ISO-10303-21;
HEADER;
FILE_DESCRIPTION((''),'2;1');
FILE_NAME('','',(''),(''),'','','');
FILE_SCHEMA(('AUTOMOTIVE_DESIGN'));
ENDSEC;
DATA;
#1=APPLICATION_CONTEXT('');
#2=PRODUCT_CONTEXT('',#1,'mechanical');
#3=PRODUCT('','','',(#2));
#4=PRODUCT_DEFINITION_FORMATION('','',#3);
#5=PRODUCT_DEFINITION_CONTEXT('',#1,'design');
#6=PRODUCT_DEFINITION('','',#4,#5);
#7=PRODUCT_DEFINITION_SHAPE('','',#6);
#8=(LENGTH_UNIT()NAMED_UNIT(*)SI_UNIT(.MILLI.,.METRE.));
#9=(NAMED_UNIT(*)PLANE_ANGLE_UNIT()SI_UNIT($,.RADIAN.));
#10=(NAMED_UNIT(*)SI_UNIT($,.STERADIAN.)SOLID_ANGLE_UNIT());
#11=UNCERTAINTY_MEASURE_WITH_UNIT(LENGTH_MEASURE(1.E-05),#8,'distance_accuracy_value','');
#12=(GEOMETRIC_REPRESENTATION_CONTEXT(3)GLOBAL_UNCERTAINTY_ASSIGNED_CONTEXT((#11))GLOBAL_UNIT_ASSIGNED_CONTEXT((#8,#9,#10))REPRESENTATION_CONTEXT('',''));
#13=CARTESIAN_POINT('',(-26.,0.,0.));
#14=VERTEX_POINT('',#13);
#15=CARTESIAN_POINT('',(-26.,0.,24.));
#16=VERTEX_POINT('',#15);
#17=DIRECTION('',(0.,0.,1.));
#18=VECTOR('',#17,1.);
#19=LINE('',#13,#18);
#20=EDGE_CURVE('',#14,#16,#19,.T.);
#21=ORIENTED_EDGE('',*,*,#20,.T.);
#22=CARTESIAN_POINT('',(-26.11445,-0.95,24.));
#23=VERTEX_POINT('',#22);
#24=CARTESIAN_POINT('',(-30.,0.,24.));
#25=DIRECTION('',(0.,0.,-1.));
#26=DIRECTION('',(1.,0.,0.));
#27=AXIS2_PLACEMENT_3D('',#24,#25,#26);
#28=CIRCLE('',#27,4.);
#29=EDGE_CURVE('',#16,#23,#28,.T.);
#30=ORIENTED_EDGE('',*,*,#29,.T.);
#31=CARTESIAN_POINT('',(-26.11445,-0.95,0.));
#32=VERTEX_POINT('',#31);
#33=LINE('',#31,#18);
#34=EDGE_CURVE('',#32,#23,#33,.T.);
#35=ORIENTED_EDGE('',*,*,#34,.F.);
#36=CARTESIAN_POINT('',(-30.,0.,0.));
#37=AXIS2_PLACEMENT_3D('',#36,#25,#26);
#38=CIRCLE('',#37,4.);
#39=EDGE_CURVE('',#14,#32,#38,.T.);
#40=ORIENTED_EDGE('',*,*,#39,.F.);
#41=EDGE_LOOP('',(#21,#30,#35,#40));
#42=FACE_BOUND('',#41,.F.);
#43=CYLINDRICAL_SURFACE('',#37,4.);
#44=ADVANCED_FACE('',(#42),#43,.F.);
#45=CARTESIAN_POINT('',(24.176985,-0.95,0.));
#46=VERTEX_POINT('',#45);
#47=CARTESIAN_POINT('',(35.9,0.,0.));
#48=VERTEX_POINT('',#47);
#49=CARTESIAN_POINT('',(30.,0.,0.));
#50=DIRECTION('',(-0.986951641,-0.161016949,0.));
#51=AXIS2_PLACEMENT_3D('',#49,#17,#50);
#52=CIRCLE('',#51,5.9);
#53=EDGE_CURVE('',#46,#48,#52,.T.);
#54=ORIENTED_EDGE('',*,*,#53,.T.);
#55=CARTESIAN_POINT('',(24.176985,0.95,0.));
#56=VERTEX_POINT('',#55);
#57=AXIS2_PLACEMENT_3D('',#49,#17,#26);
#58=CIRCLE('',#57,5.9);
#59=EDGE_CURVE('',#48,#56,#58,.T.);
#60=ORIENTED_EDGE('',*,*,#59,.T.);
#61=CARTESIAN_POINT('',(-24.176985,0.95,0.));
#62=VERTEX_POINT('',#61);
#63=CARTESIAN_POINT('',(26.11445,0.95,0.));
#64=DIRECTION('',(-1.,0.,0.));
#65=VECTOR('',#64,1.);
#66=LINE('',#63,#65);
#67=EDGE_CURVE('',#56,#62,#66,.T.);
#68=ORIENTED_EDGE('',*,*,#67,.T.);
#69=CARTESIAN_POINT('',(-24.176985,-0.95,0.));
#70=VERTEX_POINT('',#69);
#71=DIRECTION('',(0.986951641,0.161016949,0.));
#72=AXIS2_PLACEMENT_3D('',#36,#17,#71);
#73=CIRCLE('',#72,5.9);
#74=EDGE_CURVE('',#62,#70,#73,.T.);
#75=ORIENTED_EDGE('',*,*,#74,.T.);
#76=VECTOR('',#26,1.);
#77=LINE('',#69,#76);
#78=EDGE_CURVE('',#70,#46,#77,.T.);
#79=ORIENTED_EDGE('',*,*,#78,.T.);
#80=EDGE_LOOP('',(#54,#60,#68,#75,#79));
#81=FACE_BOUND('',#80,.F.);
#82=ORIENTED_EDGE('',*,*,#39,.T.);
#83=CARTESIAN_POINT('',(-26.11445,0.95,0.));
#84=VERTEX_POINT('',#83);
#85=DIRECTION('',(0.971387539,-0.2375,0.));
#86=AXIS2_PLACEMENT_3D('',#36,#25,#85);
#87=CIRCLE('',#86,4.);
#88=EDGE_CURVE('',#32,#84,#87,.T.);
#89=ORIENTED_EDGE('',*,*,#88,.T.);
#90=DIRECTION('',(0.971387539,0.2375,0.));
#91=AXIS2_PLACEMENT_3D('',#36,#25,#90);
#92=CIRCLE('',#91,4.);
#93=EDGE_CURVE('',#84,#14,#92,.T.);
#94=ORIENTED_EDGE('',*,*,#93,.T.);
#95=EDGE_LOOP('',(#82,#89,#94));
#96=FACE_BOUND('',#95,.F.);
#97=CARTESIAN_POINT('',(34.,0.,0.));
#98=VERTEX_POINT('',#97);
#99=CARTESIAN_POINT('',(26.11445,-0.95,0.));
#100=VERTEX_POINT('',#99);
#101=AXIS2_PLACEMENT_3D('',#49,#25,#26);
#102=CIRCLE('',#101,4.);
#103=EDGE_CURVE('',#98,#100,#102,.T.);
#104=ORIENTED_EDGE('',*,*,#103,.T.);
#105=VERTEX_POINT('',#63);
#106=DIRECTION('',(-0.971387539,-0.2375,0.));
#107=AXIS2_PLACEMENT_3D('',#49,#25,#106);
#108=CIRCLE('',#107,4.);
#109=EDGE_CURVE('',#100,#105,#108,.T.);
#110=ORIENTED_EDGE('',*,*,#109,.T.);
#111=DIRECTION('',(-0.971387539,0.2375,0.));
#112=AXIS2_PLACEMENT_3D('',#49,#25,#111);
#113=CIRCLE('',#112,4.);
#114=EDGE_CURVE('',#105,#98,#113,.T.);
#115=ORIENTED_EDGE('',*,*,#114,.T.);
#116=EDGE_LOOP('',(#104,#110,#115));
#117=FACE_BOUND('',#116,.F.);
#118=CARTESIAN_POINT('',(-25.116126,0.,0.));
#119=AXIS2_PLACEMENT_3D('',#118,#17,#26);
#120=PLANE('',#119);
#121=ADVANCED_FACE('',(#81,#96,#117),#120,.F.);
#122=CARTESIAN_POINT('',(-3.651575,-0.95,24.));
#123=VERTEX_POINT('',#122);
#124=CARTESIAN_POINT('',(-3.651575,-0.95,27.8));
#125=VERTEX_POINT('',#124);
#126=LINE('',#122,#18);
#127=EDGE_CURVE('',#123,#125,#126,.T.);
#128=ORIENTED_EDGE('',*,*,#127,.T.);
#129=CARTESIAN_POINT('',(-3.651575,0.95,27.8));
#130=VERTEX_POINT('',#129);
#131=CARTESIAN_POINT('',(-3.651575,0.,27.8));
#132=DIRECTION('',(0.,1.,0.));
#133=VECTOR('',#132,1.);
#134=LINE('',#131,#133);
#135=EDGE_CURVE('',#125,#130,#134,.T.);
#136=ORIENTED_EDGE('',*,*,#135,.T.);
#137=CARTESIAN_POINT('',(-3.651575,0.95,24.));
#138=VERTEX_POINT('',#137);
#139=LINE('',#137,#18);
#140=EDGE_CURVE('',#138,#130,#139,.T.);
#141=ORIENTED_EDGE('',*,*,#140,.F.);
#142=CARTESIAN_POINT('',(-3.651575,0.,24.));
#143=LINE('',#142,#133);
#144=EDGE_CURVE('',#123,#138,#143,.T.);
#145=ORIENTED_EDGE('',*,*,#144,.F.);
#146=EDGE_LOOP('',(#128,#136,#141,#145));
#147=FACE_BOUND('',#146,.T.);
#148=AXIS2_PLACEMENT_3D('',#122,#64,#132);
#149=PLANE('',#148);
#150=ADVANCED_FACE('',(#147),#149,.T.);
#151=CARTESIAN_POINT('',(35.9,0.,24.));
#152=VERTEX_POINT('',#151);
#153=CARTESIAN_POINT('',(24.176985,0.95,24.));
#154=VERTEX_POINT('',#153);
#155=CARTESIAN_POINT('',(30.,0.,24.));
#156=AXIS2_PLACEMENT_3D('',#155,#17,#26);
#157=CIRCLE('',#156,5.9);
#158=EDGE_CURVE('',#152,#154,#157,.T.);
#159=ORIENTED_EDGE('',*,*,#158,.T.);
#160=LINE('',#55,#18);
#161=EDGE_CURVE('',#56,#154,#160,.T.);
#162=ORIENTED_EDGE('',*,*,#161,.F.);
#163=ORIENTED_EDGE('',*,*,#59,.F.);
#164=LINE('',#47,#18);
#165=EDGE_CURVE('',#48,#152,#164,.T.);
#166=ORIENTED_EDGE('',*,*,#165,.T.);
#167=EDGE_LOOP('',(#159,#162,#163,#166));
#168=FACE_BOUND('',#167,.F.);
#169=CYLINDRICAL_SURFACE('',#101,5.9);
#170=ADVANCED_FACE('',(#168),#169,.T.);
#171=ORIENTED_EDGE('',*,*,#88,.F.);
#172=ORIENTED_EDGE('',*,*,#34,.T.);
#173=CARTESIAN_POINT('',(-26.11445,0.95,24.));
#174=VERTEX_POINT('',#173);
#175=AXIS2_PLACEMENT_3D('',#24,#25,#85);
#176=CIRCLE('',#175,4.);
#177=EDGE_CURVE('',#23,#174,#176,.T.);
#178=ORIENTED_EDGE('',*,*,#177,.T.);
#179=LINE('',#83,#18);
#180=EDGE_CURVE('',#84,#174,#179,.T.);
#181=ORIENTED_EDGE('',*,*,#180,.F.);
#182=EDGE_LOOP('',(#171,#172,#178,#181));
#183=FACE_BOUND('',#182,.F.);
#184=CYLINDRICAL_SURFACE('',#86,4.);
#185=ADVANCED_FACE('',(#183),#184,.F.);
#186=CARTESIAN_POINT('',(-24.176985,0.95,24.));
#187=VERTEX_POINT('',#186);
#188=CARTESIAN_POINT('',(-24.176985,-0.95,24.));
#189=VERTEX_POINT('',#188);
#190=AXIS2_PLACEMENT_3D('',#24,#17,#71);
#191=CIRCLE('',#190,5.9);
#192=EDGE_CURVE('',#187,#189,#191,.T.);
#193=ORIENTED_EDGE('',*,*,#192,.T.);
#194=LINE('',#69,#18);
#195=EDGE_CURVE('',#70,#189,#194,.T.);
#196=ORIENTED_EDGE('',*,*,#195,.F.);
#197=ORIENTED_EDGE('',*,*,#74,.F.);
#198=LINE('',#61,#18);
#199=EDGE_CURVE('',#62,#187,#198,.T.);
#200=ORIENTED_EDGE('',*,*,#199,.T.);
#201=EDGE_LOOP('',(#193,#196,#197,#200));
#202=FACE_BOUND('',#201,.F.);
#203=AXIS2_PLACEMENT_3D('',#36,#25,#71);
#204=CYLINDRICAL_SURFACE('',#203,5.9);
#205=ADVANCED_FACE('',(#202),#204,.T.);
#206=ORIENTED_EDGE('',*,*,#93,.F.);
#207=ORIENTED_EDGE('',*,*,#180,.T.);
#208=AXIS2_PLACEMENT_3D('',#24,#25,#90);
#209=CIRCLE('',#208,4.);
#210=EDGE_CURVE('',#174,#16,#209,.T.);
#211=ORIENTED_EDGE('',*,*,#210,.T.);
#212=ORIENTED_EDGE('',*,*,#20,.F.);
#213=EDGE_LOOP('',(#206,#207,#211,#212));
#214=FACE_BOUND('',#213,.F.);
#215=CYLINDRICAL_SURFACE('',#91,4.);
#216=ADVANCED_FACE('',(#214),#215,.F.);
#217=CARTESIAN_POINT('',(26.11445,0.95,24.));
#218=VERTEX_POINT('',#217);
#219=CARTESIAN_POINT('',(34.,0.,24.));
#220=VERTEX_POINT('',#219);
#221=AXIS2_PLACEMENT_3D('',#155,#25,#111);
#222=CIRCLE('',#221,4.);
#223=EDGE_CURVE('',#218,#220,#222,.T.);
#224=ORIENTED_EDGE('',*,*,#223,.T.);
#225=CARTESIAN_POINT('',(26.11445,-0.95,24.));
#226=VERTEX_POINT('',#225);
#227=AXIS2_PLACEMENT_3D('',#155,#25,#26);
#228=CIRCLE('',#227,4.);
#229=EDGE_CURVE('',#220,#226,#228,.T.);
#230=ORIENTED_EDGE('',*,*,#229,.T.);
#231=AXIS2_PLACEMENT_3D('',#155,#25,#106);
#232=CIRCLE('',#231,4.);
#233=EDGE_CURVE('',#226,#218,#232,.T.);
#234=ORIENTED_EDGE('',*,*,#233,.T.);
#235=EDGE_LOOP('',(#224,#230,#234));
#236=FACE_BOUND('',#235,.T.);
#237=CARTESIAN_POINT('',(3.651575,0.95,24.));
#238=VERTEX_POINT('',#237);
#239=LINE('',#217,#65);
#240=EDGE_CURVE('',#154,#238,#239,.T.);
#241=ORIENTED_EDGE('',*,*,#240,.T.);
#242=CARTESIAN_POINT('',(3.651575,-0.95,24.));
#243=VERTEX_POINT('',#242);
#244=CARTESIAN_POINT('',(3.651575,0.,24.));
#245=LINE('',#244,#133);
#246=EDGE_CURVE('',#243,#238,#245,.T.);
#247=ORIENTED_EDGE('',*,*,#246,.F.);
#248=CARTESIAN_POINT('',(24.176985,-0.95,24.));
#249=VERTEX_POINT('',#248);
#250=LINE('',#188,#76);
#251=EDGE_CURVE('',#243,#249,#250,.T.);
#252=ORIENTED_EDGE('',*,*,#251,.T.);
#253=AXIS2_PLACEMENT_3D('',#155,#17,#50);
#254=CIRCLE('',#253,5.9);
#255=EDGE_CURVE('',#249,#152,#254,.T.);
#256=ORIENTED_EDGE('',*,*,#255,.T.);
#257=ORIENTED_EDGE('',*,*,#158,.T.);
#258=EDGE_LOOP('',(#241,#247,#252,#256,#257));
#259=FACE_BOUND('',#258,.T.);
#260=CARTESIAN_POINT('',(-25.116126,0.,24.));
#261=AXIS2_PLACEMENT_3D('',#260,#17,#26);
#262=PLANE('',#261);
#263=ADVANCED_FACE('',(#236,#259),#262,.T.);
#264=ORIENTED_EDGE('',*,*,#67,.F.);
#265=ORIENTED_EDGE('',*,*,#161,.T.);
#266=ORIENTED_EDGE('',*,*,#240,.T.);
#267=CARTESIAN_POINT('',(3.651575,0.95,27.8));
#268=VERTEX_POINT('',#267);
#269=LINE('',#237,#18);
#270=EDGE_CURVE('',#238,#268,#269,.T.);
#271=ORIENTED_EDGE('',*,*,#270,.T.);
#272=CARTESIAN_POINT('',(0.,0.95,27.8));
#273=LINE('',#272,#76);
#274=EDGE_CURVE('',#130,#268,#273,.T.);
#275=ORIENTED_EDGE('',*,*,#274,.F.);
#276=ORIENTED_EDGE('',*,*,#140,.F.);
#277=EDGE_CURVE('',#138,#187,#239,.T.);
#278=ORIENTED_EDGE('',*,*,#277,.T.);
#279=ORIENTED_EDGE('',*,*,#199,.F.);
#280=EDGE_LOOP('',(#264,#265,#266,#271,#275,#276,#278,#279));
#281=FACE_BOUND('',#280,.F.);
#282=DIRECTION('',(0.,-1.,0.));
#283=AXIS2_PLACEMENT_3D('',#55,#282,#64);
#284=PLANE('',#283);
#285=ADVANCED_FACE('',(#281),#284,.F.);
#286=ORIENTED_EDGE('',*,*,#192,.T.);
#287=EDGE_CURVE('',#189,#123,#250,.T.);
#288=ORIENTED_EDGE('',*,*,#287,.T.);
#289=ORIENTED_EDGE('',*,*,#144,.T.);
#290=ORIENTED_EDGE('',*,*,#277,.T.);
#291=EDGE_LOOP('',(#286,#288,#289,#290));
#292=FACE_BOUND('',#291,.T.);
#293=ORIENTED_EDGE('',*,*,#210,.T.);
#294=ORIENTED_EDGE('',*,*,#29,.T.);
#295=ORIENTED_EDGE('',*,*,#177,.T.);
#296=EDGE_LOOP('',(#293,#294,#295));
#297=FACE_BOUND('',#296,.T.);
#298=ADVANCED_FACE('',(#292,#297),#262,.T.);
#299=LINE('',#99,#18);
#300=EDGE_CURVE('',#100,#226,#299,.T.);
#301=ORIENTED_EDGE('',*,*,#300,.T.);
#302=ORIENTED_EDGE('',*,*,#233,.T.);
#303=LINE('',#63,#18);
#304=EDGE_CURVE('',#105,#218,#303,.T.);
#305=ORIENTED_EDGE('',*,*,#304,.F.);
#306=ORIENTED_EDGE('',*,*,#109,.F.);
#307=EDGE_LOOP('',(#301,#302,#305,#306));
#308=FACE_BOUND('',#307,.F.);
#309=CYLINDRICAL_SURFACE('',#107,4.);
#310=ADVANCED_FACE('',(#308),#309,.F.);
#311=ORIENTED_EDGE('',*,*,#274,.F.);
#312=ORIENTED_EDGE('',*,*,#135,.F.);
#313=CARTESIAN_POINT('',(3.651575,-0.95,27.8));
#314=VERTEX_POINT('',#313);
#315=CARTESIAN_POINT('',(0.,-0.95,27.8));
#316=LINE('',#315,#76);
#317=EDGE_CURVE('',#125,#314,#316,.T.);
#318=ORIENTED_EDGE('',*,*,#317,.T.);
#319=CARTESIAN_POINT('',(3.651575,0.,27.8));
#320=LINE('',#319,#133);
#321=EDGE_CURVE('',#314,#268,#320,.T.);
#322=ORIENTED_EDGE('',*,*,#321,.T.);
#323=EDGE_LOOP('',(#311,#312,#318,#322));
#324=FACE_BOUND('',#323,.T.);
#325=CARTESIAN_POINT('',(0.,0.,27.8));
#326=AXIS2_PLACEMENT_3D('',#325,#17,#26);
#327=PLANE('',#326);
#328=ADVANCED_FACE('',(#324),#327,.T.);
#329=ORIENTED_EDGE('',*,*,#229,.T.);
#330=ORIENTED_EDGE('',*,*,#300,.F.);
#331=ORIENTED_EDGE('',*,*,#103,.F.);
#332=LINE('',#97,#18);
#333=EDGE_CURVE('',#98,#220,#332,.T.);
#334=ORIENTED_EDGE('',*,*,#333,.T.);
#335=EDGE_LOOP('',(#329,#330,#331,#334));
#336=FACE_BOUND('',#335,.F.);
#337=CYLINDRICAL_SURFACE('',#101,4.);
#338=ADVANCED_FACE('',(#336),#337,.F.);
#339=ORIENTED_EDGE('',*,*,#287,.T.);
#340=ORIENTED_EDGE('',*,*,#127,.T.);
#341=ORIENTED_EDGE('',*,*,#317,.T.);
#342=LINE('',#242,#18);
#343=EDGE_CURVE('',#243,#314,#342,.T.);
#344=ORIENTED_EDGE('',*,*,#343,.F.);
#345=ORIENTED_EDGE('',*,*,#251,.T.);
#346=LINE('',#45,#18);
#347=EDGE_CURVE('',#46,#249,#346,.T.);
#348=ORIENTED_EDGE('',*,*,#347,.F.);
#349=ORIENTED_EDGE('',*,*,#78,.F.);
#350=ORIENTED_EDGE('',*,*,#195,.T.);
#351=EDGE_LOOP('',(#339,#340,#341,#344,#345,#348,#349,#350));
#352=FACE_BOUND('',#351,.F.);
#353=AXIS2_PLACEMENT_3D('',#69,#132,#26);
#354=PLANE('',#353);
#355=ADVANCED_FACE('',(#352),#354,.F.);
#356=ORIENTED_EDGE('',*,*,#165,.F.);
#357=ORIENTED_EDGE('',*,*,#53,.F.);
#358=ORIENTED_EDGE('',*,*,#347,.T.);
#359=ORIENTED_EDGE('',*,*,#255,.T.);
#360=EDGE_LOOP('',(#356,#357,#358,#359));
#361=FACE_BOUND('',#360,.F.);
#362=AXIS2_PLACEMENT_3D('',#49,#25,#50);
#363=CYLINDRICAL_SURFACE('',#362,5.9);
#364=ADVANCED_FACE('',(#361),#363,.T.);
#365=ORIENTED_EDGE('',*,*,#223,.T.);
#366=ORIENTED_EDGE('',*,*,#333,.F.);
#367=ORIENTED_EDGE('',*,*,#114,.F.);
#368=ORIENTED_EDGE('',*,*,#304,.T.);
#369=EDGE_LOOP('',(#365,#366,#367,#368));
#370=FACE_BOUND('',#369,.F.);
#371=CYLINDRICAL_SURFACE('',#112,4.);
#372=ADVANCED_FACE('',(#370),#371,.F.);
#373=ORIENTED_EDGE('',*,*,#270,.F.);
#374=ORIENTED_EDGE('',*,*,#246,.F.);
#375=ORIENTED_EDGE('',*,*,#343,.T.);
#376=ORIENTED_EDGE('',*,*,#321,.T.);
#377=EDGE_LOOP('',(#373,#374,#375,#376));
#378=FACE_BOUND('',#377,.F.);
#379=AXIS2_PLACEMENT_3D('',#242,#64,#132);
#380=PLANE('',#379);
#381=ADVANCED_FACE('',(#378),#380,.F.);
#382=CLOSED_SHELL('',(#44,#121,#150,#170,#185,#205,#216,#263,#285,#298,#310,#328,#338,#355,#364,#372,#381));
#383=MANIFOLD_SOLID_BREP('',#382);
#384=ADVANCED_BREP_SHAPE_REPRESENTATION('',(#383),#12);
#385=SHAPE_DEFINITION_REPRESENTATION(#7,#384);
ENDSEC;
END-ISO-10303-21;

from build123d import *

# Parameters (mm, degrees)
F1_DEPTH = 24
F2_W     = 7.30315
F2_H     = 1.9
F3_DEPTH = 3.8


with BuildPart() as f1:
    # F0 (on Top) → F1 (new body)
    with BuildSketch(Plane.XY):
        with BuildLine():
            ThreePointArc((-26.1144498459, 0.95), (-26.0287155342, 0.4784346265), (-26, 0))
            ThreePointArc((-26, 0), (-26.0287155342, -0.4784346265), (-26.1144498459, -0.95))
            Line((-26.1144498459, -0.95), (-24.1769853169, -0.95))
            ThreePointArc((-24.1769853169, -0.95), (-24.1192778237, -0.4765571159), (-24.1, 0))
            ThreePointArc((-24.1, 0), (-24.1192778237, 0.4765571159), (-24.1769853169, 0.95))
            Line((-24.1769853169, 0.95), (-26.1144498459, 0.95))
        make_face()
        with BuildLine():
            Line((24.1769853169, 0.95), (-24.1769853169, 0.95))
            ThreePointArc((-24.1769853169, 0.95), (-24.1192778237, 0.4765571159), (-24.1, 0))
            ThreePointArc((-24.1, 0), (-24.1192778237, -0.4765571159), (-24.1769853169, -0.95))
            Line((-24.1769853169, -0.95), (24.1769853169, -0.95))
            ThreePointArc((24.1769853169, -0.95), (24.1, 0), (24.1769853169, 0.95))
        make_face()
        with BuildLine():
            ThreePointArc((-26.1144498459, -0.95), (-34, 0), (-26.1144498459, 0.95))
            Line((-26.1144498459, 0.95), (-24.1769853169, 0.95))
            ThreePointArc((-24.1769853169, 0.95), (-35.9, 0), (-24.1769853169, -0.95))
            Line((-24.1769853169, -0.95), (-26.1144498459, -0.95))
        make_face()
        with BuildLine():
            Line((26.1144498459, 0.95), (24.1769853169, 0.95))
            ThreePointArc((24.1769853169, 0.95), (24.1, 0), (24.1769853169, -0.95))
            Line((24.1769853169, -0.95), (26.1144498459, -0.95))
            ThreePointArc((26.1144498459, -0.95), (26, 0), (26.1144498459, 0.95))
        make_face()
        with BuildLine():
            ThreePointArc((35.9, 0), (30.4765571159, 5.8807221763), (24.1769853169, 0.95))
            Line((24.1769853169, 0.95), (26.1144498459, 0.95))
            ThreePointArc((26.1144498459, 0.95), (30.4784346265, 3.9712844658), (34, 0))
            ThreePointArc((34, 0), (30.4784346265, -3.9712844658), (26.1144498459, -0.95))
            Line((26.1144498459, -0.95), (24.1769853169, -0.95))
            ThreePointArc((24.1769853169, -0.95), (30.4765571159, -5.8807221763), (35.9, 0))
        make_face()
    extrude(amount=F1_DEPTH)

    # F2 (on face) → F3 (join)
    with BuildSketch(Plane.XY.offset(24)):
        Rectangle(F2_W, F2_H)
    extrude(amount=F3_DEPTH)


solid = f1.part
